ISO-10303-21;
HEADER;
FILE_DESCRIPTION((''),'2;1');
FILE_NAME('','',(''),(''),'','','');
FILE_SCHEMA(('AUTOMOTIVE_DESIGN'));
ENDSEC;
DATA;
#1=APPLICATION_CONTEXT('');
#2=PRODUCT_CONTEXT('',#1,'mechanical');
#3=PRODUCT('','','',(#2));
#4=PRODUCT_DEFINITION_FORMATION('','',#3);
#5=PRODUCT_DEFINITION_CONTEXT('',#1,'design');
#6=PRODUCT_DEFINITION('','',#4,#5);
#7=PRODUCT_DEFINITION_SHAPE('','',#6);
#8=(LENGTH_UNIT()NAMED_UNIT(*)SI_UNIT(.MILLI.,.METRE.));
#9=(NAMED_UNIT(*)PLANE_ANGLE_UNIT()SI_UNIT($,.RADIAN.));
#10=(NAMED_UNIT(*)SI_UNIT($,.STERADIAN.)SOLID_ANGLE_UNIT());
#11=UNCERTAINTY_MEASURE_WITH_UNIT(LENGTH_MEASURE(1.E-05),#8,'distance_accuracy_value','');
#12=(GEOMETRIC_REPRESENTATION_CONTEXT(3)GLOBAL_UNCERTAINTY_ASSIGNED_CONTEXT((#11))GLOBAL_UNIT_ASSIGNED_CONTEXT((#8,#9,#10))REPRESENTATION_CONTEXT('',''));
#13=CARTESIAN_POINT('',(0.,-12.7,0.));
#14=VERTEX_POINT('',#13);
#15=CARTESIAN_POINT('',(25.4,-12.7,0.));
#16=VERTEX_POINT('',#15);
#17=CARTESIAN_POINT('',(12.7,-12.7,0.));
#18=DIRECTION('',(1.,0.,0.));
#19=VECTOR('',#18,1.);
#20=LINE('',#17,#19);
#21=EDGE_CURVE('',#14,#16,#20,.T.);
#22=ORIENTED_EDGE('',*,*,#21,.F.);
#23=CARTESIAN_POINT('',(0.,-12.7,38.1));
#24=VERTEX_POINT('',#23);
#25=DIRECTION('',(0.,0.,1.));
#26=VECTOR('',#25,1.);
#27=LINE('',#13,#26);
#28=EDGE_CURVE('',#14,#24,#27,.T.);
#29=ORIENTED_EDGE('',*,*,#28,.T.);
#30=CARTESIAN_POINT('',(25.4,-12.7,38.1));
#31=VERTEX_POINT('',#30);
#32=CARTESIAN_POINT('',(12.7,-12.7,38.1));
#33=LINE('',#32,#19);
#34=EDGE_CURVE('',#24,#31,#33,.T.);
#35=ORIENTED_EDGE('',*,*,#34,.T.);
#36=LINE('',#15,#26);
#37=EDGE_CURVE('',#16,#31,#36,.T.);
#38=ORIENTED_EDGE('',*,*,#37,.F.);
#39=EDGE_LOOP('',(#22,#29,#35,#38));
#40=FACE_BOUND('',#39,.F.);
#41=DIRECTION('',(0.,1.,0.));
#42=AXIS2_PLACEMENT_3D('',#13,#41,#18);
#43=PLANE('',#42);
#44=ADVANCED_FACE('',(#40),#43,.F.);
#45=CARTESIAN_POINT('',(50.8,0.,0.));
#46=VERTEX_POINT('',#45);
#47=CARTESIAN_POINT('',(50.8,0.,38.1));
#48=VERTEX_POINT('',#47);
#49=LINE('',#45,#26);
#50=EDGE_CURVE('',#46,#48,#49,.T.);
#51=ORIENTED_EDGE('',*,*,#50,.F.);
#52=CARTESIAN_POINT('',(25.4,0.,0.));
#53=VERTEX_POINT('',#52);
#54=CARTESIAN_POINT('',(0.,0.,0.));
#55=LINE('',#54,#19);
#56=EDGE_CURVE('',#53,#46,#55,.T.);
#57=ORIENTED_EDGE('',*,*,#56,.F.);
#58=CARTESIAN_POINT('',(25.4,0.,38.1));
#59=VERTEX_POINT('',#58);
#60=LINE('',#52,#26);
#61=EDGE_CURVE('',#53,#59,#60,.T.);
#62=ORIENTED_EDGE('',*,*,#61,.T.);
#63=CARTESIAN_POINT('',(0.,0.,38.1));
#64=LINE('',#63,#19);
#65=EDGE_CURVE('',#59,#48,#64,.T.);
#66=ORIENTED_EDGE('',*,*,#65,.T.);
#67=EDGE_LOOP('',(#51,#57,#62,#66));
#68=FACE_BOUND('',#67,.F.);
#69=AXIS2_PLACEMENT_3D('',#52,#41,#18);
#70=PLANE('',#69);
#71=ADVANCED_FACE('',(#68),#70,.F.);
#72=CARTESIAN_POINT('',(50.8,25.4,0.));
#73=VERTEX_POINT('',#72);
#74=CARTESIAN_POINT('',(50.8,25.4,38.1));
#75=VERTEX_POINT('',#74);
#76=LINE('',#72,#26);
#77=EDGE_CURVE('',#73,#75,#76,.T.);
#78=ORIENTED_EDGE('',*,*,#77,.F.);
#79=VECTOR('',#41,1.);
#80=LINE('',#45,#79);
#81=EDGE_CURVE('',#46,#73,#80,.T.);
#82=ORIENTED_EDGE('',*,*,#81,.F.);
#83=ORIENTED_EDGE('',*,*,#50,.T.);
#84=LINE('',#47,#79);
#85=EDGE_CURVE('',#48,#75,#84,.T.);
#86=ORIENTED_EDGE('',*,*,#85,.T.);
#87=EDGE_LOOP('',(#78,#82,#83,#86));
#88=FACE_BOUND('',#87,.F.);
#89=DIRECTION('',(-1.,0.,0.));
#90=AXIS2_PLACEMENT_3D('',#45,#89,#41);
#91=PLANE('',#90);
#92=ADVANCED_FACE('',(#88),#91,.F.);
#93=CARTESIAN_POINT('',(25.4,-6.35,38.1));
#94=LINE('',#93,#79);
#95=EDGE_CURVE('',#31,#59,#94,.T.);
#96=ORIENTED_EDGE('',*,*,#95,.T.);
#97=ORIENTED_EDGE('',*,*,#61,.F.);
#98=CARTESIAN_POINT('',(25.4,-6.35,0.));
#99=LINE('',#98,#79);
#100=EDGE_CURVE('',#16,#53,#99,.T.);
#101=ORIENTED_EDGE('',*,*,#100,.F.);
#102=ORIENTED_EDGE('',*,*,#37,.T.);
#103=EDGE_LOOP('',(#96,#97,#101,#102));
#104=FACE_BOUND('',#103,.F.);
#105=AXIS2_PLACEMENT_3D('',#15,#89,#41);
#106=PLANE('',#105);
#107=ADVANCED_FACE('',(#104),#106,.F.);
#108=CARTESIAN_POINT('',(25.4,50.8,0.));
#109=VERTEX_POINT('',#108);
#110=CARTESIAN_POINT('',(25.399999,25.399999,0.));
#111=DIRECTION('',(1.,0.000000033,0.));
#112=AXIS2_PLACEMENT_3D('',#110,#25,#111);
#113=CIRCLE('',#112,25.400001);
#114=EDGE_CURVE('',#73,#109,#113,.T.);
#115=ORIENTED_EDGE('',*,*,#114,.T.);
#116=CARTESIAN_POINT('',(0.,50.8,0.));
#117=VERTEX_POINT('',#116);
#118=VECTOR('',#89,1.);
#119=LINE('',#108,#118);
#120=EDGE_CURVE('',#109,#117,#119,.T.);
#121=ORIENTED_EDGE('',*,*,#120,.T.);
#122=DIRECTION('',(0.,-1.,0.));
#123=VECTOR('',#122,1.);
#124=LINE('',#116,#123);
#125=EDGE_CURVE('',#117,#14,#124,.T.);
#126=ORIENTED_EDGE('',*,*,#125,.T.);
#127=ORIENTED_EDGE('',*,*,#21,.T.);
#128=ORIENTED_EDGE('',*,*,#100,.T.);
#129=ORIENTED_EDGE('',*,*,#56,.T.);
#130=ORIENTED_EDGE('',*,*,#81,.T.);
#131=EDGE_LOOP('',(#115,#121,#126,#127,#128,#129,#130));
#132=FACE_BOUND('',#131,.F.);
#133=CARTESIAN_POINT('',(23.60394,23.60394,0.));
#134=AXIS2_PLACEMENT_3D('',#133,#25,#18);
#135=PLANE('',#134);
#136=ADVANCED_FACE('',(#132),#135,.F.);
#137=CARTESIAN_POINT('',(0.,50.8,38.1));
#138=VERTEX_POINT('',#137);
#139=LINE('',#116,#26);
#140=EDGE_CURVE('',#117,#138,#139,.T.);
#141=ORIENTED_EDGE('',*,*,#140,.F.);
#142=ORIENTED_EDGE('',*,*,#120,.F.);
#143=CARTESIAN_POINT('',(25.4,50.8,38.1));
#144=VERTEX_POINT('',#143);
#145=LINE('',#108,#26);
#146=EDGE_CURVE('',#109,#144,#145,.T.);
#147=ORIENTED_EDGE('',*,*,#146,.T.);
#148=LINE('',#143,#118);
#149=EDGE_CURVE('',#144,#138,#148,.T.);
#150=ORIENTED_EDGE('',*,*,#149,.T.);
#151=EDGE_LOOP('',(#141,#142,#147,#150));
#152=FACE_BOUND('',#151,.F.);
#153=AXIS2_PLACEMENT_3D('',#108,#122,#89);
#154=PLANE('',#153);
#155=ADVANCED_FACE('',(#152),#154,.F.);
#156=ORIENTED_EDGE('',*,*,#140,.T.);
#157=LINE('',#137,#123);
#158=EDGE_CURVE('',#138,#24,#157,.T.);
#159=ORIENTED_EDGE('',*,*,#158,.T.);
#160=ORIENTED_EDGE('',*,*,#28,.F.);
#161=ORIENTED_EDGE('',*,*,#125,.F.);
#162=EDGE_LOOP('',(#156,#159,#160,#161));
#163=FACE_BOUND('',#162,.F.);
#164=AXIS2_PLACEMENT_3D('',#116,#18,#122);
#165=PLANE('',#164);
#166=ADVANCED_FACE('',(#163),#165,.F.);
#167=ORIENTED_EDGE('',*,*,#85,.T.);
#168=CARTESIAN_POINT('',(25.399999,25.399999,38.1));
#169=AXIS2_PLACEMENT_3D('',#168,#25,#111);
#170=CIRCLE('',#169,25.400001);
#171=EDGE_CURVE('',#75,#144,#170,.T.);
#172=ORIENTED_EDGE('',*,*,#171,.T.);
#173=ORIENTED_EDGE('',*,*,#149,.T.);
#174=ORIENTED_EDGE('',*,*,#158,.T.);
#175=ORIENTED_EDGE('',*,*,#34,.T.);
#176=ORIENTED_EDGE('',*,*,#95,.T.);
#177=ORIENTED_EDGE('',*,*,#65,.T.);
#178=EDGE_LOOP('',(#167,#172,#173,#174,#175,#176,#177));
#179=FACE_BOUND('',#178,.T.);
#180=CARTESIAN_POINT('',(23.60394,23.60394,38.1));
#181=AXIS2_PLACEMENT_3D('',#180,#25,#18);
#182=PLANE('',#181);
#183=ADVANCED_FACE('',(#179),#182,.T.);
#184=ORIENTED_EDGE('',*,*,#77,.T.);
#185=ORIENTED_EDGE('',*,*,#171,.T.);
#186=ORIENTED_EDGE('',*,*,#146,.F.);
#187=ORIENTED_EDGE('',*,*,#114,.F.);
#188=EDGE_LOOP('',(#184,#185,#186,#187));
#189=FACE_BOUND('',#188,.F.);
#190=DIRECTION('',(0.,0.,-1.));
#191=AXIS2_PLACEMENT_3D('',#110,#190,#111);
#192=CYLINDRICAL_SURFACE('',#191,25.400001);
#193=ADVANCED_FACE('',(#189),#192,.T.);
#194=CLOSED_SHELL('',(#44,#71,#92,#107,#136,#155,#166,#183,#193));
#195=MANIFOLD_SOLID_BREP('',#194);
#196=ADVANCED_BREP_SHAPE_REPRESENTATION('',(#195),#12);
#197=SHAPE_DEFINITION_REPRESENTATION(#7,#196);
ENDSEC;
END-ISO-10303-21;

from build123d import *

# Parameters (mm, degrees)
F0_W     = 25.4
F0_H     = 12.7
F1_DEPTH = 38.1


with BuildPart() as f1:
    # F0 (on Top) → F1 (new body)
    with BuildSketch(Plane.XY):
        with BuildLine():
            Line((0, 50.8), (0, 0))
            Line((0, 0), (25.4, 0))
            Line((25.4, 0), (50.8, 0))
            Line((50.8, 0), (50.8, 25.4))
            ThreePointArc((50.8, 25.4), (43.360512, 43.360512), (25.4, 50.8))
            Line((25.4, 50.8), (0, 50.8))
        make_face()
        with Locations((12.7, -6.35)):
            Rectangle(F0_W, F0_H)
    extrude(amount=F1_DEPTH)


solid = f1.part
